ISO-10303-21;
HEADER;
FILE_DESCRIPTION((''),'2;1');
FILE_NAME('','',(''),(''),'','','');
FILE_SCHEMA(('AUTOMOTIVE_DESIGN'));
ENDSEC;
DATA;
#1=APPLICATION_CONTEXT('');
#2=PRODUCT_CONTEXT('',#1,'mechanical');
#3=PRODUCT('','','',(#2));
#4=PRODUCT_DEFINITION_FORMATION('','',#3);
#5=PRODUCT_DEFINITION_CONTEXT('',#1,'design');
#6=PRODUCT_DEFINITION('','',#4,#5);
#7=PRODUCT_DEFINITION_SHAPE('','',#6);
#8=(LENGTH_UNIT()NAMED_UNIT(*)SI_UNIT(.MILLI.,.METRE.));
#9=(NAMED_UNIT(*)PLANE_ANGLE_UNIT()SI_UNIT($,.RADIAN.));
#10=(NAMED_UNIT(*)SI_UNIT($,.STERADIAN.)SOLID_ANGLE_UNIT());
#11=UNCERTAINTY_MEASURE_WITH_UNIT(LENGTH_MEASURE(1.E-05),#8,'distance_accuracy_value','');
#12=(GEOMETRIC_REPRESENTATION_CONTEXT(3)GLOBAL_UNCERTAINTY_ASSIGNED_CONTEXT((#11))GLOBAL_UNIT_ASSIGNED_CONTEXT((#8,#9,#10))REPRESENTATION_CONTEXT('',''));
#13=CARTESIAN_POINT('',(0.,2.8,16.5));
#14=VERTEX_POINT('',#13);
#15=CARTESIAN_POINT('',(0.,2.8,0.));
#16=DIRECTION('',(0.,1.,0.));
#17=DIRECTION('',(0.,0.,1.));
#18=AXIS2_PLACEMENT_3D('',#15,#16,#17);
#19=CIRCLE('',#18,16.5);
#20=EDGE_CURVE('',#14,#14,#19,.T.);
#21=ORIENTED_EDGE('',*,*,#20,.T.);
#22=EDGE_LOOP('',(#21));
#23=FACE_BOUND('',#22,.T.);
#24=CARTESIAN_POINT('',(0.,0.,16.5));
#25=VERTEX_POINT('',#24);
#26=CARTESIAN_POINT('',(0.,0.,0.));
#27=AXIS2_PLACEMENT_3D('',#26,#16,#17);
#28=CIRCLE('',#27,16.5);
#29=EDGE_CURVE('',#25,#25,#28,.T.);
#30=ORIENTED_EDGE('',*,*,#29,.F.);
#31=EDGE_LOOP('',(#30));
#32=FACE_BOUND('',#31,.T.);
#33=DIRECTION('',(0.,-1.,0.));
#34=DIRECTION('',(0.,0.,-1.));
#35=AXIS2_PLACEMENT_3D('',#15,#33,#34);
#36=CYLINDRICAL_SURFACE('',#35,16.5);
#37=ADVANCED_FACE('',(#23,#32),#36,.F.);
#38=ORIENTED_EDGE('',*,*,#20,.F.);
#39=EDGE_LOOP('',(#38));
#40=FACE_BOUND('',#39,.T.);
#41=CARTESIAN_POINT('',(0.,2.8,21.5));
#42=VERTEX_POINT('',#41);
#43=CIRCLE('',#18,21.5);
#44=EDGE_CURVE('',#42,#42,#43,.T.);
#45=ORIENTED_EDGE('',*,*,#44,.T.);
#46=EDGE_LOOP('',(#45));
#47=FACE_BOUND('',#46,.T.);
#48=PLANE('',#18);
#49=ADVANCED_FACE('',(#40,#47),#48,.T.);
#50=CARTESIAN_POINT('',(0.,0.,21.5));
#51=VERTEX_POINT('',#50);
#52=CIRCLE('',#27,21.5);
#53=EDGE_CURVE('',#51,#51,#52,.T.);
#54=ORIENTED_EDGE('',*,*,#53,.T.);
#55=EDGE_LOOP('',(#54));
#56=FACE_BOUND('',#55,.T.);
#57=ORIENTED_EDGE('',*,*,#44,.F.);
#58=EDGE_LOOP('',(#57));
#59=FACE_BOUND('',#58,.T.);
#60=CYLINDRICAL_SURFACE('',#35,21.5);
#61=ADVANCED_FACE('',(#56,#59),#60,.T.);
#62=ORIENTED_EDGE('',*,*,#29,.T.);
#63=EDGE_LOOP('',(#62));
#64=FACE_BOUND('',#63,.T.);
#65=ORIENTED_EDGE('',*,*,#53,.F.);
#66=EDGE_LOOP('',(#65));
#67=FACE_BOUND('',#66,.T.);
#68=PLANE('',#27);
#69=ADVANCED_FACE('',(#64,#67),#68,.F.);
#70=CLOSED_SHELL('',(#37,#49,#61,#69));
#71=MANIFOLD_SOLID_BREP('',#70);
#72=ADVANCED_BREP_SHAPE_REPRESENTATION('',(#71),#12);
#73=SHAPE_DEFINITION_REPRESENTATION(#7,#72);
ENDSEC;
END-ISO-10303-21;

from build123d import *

# Parameters (mm, degrees)
SKETCH1_R           = 21.5
SKETCH1_R_2         = 16.5
BOSS_EXTRUDE1_DEPTH = 2.8


with BuildPart() as part:
    # Sketch1 → Boss-Extrude1 (new body)
    with BuildSketch(Plane(origin=(0, 0, 0), x_dir=(1, 0, 0), z_dir=(0, 1, 0))):
        Circle(SKETCH1_R)
        Circle(SKETCH1_R_2, mode=Mode.SUBTRACT)
    extrude(amount=BOSS_EXTRUDE1_DEPTH)


solid = part.part
